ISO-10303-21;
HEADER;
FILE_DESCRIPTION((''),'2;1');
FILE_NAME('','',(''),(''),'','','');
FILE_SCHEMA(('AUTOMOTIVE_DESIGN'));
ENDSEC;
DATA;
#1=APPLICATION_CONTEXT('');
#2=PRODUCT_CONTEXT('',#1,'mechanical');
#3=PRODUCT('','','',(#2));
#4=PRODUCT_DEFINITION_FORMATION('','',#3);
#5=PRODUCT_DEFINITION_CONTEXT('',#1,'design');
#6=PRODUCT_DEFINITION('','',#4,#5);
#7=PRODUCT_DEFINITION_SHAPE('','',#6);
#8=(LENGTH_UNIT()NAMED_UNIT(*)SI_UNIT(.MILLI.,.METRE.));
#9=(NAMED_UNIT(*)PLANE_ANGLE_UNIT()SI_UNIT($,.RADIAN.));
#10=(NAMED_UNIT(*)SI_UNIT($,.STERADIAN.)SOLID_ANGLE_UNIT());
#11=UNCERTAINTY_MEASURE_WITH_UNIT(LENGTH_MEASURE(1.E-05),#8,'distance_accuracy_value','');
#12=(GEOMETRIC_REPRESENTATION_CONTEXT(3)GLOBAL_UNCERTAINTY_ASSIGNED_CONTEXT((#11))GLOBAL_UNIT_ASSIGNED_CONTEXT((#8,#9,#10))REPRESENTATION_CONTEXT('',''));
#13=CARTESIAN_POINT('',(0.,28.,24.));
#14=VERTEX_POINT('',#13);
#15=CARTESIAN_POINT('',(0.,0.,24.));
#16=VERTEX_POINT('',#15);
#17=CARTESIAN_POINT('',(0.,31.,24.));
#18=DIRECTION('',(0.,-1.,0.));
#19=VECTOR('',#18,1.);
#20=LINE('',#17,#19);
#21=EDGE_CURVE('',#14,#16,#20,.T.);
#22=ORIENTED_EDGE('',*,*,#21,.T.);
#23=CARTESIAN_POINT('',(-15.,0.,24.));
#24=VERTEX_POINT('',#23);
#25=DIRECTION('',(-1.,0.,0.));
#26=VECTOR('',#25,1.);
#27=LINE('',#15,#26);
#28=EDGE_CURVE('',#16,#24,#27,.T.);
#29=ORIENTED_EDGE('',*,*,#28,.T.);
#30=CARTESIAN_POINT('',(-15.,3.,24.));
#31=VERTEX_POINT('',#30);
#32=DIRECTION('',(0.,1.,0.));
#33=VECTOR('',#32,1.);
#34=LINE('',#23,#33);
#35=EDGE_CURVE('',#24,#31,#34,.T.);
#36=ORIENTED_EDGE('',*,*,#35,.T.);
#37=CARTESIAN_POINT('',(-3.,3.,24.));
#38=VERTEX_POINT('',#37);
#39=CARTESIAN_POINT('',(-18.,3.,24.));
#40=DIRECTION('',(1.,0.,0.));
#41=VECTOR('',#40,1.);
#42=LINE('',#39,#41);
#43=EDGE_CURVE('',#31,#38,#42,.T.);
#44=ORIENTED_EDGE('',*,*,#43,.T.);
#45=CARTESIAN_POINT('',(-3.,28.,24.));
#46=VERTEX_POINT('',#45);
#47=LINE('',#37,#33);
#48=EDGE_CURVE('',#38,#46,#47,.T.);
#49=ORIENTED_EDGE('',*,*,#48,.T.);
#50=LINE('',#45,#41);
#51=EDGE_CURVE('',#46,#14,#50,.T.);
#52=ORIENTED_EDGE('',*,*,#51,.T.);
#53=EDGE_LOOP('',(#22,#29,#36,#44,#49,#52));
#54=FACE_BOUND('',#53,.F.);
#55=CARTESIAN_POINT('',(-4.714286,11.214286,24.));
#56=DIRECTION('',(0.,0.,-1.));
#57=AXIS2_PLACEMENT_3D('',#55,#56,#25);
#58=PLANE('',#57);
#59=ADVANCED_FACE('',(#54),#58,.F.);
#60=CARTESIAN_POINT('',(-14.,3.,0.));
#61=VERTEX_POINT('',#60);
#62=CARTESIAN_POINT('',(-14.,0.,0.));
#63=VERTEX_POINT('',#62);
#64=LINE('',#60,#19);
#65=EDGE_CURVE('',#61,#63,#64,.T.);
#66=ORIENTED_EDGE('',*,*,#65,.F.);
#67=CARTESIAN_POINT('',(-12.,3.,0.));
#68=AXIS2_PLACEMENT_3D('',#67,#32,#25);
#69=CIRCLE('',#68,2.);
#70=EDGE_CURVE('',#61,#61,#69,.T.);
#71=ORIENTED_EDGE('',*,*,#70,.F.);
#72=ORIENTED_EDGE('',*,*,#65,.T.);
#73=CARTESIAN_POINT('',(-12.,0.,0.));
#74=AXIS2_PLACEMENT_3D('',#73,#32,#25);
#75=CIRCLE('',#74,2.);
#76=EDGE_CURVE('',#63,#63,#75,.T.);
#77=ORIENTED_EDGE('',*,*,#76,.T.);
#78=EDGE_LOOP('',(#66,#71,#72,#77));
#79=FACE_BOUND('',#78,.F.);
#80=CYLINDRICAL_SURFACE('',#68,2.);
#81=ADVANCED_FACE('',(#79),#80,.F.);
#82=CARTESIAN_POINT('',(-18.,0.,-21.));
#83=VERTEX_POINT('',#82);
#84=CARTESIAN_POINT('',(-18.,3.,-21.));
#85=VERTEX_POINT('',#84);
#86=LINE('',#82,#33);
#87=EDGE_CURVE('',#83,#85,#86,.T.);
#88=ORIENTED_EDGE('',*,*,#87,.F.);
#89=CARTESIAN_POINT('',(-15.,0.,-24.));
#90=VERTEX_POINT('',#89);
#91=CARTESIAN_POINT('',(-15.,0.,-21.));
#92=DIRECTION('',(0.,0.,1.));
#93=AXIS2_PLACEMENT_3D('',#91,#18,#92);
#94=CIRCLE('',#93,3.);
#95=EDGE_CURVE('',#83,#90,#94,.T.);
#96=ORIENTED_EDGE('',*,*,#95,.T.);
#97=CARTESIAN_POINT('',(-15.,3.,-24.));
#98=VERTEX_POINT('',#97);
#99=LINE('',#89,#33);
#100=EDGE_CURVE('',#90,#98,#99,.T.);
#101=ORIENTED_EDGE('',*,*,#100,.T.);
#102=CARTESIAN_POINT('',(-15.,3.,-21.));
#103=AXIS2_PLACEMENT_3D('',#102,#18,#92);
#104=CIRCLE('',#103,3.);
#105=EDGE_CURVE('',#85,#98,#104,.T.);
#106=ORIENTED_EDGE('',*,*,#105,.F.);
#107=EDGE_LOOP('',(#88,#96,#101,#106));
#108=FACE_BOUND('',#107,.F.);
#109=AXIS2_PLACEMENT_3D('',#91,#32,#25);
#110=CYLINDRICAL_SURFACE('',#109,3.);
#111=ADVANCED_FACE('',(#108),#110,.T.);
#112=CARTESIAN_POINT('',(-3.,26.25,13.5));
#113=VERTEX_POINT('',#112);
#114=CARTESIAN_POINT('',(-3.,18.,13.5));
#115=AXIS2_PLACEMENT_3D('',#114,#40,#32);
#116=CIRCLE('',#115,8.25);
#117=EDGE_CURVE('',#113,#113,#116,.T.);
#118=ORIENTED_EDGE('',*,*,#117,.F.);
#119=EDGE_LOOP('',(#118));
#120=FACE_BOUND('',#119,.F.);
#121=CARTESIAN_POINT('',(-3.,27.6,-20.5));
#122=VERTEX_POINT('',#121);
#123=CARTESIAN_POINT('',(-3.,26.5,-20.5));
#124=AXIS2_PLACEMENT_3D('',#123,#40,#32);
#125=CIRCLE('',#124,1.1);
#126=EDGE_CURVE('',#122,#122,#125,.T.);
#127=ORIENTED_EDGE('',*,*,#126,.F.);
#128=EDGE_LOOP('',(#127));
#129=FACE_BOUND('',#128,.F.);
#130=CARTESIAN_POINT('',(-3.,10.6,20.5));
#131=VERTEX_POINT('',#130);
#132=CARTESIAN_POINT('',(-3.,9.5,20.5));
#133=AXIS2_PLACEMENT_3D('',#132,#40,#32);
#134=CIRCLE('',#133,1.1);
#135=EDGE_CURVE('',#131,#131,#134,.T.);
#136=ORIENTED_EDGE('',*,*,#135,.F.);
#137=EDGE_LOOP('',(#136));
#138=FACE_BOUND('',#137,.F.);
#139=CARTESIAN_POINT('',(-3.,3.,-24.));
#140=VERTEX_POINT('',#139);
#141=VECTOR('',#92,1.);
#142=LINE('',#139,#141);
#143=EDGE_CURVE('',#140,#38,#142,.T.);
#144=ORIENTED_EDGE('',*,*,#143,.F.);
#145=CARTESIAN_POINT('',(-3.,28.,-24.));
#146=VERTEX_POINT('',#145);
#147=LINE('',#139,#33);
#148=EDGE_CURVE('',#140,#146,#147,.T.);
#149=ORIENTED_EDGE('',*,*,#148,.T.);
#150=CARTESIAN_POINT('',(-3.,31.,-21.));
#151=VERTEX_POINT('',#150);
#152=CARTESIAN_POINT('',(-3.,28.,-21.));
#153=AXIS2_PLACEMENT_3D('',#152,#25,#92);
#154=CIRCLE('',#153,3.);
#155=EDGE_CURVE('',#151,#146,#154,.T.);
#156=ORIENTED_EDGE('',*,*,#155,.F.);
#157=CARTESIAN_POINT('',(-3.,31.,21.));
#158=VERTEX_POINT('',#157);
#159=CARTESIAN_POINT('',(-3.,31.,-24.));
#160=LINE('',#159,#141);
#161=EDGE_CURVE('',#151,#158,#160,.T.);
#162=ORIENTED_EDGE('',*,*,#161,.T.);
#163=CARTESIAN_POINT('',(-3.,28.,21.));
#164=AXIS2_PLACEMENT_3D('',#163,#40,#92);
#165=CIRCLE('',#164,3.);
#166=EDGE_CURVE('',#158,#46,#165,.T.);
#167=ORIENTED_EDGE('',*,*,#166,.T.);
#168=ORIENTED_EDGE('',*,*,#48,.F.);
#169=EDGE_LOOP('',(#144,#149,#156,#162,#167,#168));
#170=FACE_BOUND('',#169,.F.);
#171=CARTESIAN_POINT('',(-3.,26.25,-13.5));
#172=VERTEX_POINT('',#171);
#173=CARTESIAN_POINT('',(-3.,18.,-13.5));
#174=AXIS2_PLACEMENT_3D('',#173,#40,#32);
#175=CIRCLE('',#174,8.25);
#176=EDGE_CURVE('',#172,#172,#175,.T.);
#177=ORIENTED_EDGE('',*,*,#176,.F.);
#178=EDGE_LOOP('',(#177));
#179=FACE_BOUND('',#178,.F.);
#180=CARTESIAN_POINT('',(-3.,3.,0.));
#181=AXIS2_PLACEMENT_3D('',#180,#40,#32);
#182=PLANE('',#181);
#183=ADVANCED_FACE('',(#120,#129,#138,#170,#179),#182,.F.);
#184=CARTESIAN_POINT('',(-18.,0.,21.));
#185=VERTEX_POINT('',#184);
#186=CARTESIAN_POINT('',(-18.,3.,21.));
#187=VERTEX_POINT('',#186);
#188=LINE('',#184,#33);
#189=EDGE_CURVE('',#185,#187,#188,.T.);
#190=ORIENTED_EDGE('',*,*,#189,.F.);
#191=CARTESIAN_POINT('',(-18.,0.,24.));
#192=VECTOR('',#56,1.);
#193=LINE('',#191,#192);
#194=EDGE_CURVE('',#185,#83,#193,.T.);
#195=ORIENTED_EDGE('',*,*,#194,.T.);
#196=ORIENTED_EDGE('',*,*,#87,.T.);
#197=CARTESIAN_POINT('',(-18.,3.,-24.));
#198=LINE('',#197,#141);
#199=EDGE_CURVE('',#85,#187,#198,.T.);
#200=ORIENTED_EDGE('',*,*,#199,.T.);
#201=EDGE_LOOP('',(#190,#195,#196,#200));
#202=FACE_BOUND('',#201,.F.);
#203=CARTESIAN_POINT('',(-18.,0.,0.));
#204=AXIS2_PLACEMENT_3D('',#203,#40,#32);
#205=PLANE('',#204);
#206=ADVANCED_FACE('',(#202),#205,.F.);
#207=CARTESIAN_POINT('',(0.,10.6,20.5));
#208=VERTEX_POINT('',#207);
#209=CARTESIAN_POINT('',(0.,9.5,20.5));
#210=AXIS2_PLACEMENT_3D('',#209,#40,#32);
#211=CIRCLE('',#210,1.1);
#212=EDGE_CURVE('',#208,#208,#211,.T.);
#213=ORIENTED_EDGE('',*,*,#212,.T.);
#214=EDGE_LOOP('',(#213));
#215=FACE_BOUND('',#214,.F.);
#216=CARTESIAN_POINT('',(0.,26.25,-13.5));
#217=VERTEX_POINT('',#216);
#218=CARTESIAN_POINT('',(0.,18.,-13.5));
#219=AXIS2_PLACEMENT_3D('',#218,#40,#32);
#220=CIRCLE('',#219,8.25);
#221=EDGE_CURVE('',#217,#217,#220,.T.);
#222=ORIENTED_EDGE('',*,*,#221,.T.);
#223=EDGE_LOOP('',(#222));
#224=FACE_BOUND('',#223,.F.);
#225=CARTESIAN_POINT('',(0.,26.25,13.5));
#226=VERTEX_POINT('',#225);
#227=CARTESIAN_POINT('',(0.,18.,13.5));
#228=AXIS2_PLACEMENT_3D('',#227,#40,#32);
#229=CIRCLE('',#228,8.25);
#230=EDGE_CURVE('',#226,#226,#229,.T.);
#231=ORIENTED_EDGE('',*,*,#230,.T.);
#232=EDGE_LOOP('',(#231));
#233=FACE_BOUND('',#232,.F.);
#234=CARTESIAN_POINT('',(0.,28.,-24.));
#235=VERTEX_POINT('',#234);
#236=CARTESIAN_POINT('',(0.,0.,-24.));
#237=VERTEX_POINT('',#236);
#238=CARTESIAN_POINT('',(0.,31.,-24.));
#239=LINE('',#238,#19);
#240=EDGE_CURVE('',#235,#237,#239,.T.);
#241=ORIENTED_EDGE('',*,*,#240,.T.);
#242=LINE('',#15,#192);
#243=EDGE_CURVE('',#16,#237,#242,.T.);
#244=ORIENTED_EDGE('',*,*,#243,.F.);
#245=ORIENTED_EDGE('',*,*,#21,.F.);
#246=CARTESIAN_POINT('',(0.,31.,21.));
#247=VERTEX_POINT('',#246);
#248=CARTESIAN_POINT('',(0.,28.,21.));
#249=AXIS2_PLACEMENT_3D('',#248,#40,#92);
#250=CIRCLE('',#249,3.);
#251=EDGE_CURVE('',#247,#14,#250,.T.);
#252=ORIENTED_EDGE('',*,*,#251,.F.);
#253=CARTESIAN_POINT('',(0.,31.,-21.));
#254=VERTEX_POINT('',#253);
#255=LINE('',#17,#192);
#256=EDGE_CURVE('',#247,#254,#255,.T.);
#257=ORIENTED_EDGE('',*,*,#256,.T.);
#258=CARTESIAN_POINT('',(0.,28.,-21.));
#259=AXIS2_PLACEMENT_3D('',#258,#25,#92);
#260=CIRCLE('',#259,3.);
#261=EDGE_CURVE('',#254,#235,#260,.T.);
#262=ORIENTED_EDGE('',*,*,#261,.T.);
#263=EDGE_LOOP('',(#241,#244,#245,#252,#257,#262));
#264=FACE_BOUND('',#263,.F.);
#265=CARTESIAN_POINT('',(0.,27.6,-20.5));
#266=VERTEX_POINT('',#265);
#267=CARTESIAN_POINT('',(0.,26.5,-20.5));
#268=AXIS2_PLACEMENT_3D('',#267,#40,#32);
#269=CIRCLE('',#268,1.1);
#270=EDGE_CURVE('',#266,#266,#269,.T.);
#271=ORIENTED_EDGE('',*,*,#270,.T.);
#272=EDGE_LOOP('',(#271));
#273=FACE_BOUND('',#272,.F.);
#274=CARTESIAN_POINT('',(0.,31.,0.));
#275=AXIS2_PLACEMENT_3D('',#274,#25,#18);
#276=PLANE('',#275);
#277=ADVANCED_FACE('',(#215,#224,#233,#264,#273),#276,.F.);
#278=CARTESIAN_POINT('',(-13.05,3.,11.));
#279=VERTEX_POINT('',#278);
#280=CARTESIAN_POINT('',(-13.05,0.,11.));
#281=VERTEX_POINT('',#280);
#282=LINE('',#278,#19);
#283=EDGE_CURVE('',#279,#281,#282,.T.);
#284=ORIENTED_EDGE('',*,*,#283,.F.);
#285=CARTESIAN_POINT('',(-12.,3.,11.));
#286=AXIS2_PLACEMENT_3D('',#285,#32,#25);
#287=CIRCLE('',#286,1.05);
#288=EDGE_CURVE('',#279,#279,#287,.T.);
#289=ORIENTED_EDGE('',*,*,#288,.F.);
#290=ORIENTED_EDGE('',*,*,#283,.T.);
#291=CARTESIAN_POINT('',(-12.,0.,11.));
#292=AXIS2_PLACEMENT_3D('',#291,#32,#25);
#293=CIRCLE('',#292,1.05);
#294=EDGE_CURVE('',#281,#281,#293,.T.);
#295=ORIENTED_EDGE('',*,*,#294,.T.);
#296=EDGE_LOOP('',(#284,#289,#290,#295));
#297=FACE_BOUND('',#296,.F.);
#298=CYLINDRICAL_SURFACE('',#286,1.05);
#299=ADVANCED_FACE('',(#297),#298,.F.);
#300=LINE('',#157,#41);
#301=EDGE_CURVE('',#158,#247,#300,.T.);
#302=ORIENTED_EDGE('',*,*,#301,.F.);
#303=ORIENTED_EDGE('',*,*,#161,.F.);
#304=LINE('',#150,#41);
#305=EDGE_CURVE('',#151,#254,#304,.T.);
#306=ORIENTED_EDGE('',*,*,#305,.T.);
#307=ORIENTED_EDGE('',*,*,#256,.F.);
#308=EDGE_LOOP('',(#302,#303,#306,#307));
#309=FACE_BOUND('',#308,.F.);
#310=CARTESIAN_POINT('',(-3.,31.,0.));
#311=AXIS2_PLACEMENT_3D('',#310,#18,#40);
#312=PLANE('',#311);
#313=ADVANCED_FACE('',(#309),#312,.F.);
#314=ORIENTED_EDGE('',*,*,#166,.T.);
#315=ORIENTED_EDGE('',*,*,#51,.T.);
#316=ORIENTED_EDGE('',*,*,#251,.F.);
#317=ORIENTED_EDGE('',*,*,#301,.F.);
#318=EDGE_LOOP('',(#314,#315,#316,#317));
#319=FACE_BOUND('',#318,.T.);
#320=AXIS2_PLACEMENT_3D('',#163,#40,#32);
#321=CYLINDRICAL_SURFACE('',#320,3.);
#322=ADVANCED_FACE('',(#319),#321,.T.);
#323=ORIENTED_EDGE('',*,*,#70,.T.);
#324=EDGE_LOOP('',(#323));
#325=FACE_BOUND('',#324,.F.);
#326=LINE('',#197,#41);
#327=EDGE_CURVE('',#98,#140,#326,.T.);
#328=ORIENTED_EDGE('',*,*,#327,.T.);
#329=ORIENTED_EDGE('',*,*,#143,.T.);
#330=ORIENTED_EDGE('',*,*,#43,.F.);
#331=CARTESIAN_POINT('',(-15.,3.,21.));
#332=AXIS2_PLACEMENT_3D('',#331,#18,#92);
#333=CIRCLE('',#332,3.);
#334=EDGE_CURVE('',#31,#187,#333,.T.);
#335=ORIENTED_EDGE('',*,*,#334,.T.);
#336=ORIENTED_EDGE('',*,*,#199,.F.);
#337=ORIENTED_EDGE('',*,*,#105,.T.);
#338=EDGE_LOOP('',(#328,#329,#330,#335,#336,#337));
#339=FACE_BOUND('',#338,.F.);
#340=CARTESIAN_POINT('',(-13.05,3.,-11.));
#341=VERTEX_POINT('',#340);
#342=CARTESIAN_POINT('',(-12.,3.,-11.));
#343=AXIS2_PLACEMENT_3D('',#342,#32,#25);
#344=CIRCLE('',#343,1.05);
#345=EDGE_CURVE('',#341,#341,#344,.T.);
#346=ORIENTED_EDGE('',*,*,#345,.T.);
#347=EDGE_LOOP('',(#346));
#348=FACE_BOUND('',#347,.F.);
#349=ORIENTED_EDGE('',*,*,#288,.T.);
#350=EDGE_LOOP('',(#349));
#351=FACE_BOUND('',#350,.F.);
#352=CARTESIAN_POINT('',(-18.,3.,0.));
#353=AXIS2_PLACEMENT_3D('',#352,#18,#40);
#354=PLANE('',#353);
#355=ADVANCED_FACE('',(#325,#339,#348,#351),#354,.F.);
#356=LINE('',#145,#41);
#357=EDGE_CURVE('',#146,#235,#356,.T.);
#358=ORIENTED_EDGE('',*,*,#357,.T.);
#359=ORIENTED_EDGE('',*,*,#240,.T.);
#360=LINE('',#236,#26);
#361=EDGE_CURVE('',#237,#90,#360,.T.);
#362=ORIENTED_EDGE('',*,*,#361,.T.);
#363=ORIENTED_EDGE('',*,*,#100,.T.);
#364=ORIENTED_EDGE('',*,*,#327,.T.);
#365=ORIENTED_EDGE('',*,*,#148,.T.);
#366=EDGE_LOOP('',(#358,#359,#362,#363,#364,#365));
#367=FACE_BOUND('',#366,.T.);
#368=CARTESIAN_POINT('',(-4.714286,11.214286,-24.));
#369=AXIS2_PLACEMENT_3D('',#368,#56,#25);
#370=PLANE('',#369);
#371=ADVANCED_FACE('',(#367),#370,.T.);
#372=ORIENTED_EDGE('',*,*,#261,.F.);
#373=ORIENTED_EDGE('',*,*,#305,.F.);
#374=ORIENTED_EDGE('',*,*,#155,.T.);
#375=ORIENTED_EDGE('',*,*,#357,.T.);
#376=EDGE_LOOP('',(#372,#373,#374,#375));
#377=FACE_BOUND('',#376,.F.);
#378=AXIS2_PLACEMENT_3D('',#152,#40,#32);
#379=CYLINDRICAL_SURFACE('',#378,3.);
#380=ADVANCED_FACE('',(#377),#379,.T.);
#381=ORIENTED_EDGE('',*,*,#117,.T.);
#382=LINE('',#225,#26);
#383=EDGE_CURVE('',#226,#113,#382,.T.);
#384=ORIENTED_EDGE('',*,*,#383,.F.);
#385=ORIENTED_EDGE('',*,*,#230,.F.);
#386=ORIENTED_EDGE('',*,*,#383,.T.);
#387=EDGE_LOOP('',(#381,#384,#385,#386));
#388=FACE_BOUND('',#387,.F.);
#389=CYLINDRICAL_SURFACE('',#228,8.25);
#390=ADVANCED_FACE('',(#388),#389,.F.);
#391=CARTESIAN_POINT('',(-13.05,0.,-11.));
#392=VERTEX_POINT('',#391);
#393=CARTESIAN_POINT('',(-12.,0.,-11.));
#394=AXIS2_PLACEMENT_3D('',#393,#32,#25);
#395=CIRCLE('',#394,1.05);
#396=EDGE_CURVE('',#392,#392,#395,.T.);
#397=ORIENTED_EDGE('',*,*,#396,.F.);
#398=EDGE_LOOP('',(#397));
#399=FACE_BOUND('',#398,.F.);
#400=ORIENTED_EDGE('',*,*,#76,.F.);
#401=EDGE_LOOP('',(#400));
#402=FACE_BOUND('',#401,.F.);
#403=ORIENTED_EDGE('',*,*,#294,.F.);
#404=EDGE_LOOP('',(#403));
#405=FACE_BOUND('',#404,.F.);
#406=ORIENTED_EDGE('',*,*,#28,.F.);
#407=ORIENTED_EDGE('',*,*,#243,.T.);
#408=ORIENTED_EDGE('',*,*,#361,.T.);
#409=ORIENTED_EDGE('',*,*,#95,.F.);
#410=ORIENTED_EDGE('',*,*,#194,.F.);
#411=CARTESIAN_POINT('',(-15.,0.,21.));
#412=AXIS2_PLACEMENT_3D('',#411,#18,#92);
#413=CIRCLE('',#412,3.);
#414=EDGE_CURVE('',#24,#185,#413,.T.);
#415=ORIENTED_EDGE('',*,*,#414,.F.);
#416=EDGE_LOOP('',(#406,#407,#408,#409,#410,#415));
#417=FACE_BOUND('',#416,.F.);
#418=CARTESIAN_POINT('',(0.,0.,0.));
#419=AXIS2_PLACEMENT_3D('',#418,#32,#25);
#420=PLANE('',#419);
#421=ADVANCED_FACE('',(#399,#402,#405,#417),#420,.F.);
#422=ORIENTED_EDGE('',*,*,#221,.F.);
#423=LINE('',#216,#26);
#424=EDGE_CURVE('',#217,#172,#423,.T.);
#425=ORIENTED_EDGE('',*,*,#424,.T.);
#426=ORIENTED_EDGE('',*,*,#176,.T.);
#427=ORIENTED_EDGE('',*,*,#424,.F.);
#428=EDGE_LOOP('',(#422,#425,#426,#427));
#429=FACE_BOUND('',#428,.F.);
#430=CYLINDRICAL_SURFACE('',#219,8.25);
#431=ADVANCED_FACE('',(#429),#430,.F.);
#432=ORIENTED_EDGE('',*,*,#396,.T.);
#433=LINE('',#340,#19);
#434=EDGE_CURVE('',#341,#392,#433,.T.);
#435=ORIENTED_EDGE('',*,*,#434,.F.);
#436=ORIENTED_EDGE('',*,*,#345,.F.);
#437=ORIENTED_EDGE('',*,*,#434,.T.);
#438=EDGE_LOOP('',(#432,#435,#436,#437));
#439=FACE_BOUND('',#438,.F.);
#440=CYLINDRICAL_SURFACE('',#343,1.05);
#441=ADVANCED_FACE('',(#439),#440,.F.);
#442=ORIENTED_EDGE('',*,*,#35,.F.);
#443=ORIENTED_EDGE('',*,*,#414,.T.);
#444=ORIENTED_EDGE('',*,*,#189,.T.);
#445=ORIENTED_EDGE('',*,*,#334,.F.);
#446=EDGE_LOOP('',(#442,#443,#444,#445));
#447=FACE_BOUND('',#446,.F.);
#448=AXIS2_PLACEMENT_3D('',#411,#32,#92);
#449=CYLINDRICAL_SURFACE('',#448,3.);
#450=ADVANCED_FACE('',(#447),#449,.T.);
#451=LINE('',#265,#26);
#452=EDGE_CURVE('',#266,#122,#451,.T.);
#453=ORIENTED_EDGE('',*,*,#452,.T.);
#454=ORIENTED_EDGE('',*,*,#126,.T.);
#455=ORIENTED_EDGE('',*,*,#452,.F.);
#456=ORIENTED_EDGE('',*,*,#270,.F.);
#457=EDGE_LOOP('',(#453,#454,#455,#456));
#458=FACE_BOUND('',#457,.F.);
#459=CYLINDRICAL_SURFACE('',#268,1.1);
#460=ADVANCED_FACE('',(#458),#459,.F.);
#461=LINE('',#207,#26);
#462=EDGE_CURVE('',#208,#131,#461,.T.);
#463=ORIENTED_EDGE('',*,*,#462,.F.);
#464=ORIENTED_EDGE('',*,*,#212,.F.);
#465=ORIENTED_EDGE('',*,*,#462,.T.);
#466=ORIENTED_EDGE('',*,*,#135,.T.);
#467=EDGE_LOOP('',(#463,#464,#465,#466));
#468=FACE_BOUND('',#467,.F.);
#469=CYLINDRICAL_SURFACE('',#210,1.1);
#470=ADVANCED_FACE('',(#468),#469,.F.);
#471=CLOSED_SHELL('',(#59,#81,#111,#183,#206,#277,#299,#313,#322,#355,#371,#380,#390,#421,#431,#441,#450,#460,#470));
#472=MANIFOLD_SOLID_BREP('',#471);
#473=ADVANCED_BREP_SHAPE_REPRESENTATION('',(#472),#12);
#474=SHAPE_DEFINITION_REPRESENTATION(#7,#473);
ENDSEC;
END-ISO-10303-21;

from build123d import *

# Parameters (mm, degrees)
PAD_DEPTH       = 24
FILLET_R        = 3
SKETCH001_R     = 8.25
SKETCH001_R_2   = 1.1
POCKET_DEPTH    = 5
SKETCH002_R     = 1.05
SKETCH002_R_2   = 2
POCKET001_DEPTH = 5


with BuildPart() as part:
    # Sketch → Pad (new body, symmetric)
    with BuildSketch(Plane.XY):
        Polygon((-3, 31), (0, 31), (0, 0), (-18, 0), (-18, 3), (-3, 3), align=None)
    extrude(amount=PAD_DEPTH, both=True)

    # Fillet
    fillet_edges = [part.edges().sort_by_distance(p)[0] for p in [
        (-1.5, 31, 24),
        (-1.5, 31, -24),
        (-18, 1.5, -24),
        (-18, 1.5, 24),
    ]]
    fillet(fillet_edges, radius=FILLET_R)

    # Sketch001 (on Face5 of Fillet) → Pocket (cut)
    with BuildSketch(Plane.YZ):
        with Locations((18, 13.5)):
            Circle(SKETCH001_R)
        with Locations((18, -13.5)):
            Circle(SKETCH001_R)
        with Locations((9.5, 20.5)):
            Circle(SKETCH001_R_2)
        with Locations((26.5, -20.5)):
            Circle(SKETCH001_R_2)
    extrude(amount=-POCKET_DEPTH, mode=Mode.SUBTRACT)

    # Sketch002 (on Face8 of Pocket) → Pocket001 (cut)
    with BuildSketch(Plane(origin=(0, 3, 0), x_dir=(-1, 0, 0), z_dir=(0, 1, 0))):
        with Locations((12, 11)):
            Circle(SKETCH002_R)
        with Locations((12, -11)):
            Circle(SKETCH002_R)
        with Locations((12, 0)):
            Circle(SKETCH002_R_2)
    extrude(amount=-POCKET001_DEPTH, mode=Mode.SUBTRACT)


solid = part.part
